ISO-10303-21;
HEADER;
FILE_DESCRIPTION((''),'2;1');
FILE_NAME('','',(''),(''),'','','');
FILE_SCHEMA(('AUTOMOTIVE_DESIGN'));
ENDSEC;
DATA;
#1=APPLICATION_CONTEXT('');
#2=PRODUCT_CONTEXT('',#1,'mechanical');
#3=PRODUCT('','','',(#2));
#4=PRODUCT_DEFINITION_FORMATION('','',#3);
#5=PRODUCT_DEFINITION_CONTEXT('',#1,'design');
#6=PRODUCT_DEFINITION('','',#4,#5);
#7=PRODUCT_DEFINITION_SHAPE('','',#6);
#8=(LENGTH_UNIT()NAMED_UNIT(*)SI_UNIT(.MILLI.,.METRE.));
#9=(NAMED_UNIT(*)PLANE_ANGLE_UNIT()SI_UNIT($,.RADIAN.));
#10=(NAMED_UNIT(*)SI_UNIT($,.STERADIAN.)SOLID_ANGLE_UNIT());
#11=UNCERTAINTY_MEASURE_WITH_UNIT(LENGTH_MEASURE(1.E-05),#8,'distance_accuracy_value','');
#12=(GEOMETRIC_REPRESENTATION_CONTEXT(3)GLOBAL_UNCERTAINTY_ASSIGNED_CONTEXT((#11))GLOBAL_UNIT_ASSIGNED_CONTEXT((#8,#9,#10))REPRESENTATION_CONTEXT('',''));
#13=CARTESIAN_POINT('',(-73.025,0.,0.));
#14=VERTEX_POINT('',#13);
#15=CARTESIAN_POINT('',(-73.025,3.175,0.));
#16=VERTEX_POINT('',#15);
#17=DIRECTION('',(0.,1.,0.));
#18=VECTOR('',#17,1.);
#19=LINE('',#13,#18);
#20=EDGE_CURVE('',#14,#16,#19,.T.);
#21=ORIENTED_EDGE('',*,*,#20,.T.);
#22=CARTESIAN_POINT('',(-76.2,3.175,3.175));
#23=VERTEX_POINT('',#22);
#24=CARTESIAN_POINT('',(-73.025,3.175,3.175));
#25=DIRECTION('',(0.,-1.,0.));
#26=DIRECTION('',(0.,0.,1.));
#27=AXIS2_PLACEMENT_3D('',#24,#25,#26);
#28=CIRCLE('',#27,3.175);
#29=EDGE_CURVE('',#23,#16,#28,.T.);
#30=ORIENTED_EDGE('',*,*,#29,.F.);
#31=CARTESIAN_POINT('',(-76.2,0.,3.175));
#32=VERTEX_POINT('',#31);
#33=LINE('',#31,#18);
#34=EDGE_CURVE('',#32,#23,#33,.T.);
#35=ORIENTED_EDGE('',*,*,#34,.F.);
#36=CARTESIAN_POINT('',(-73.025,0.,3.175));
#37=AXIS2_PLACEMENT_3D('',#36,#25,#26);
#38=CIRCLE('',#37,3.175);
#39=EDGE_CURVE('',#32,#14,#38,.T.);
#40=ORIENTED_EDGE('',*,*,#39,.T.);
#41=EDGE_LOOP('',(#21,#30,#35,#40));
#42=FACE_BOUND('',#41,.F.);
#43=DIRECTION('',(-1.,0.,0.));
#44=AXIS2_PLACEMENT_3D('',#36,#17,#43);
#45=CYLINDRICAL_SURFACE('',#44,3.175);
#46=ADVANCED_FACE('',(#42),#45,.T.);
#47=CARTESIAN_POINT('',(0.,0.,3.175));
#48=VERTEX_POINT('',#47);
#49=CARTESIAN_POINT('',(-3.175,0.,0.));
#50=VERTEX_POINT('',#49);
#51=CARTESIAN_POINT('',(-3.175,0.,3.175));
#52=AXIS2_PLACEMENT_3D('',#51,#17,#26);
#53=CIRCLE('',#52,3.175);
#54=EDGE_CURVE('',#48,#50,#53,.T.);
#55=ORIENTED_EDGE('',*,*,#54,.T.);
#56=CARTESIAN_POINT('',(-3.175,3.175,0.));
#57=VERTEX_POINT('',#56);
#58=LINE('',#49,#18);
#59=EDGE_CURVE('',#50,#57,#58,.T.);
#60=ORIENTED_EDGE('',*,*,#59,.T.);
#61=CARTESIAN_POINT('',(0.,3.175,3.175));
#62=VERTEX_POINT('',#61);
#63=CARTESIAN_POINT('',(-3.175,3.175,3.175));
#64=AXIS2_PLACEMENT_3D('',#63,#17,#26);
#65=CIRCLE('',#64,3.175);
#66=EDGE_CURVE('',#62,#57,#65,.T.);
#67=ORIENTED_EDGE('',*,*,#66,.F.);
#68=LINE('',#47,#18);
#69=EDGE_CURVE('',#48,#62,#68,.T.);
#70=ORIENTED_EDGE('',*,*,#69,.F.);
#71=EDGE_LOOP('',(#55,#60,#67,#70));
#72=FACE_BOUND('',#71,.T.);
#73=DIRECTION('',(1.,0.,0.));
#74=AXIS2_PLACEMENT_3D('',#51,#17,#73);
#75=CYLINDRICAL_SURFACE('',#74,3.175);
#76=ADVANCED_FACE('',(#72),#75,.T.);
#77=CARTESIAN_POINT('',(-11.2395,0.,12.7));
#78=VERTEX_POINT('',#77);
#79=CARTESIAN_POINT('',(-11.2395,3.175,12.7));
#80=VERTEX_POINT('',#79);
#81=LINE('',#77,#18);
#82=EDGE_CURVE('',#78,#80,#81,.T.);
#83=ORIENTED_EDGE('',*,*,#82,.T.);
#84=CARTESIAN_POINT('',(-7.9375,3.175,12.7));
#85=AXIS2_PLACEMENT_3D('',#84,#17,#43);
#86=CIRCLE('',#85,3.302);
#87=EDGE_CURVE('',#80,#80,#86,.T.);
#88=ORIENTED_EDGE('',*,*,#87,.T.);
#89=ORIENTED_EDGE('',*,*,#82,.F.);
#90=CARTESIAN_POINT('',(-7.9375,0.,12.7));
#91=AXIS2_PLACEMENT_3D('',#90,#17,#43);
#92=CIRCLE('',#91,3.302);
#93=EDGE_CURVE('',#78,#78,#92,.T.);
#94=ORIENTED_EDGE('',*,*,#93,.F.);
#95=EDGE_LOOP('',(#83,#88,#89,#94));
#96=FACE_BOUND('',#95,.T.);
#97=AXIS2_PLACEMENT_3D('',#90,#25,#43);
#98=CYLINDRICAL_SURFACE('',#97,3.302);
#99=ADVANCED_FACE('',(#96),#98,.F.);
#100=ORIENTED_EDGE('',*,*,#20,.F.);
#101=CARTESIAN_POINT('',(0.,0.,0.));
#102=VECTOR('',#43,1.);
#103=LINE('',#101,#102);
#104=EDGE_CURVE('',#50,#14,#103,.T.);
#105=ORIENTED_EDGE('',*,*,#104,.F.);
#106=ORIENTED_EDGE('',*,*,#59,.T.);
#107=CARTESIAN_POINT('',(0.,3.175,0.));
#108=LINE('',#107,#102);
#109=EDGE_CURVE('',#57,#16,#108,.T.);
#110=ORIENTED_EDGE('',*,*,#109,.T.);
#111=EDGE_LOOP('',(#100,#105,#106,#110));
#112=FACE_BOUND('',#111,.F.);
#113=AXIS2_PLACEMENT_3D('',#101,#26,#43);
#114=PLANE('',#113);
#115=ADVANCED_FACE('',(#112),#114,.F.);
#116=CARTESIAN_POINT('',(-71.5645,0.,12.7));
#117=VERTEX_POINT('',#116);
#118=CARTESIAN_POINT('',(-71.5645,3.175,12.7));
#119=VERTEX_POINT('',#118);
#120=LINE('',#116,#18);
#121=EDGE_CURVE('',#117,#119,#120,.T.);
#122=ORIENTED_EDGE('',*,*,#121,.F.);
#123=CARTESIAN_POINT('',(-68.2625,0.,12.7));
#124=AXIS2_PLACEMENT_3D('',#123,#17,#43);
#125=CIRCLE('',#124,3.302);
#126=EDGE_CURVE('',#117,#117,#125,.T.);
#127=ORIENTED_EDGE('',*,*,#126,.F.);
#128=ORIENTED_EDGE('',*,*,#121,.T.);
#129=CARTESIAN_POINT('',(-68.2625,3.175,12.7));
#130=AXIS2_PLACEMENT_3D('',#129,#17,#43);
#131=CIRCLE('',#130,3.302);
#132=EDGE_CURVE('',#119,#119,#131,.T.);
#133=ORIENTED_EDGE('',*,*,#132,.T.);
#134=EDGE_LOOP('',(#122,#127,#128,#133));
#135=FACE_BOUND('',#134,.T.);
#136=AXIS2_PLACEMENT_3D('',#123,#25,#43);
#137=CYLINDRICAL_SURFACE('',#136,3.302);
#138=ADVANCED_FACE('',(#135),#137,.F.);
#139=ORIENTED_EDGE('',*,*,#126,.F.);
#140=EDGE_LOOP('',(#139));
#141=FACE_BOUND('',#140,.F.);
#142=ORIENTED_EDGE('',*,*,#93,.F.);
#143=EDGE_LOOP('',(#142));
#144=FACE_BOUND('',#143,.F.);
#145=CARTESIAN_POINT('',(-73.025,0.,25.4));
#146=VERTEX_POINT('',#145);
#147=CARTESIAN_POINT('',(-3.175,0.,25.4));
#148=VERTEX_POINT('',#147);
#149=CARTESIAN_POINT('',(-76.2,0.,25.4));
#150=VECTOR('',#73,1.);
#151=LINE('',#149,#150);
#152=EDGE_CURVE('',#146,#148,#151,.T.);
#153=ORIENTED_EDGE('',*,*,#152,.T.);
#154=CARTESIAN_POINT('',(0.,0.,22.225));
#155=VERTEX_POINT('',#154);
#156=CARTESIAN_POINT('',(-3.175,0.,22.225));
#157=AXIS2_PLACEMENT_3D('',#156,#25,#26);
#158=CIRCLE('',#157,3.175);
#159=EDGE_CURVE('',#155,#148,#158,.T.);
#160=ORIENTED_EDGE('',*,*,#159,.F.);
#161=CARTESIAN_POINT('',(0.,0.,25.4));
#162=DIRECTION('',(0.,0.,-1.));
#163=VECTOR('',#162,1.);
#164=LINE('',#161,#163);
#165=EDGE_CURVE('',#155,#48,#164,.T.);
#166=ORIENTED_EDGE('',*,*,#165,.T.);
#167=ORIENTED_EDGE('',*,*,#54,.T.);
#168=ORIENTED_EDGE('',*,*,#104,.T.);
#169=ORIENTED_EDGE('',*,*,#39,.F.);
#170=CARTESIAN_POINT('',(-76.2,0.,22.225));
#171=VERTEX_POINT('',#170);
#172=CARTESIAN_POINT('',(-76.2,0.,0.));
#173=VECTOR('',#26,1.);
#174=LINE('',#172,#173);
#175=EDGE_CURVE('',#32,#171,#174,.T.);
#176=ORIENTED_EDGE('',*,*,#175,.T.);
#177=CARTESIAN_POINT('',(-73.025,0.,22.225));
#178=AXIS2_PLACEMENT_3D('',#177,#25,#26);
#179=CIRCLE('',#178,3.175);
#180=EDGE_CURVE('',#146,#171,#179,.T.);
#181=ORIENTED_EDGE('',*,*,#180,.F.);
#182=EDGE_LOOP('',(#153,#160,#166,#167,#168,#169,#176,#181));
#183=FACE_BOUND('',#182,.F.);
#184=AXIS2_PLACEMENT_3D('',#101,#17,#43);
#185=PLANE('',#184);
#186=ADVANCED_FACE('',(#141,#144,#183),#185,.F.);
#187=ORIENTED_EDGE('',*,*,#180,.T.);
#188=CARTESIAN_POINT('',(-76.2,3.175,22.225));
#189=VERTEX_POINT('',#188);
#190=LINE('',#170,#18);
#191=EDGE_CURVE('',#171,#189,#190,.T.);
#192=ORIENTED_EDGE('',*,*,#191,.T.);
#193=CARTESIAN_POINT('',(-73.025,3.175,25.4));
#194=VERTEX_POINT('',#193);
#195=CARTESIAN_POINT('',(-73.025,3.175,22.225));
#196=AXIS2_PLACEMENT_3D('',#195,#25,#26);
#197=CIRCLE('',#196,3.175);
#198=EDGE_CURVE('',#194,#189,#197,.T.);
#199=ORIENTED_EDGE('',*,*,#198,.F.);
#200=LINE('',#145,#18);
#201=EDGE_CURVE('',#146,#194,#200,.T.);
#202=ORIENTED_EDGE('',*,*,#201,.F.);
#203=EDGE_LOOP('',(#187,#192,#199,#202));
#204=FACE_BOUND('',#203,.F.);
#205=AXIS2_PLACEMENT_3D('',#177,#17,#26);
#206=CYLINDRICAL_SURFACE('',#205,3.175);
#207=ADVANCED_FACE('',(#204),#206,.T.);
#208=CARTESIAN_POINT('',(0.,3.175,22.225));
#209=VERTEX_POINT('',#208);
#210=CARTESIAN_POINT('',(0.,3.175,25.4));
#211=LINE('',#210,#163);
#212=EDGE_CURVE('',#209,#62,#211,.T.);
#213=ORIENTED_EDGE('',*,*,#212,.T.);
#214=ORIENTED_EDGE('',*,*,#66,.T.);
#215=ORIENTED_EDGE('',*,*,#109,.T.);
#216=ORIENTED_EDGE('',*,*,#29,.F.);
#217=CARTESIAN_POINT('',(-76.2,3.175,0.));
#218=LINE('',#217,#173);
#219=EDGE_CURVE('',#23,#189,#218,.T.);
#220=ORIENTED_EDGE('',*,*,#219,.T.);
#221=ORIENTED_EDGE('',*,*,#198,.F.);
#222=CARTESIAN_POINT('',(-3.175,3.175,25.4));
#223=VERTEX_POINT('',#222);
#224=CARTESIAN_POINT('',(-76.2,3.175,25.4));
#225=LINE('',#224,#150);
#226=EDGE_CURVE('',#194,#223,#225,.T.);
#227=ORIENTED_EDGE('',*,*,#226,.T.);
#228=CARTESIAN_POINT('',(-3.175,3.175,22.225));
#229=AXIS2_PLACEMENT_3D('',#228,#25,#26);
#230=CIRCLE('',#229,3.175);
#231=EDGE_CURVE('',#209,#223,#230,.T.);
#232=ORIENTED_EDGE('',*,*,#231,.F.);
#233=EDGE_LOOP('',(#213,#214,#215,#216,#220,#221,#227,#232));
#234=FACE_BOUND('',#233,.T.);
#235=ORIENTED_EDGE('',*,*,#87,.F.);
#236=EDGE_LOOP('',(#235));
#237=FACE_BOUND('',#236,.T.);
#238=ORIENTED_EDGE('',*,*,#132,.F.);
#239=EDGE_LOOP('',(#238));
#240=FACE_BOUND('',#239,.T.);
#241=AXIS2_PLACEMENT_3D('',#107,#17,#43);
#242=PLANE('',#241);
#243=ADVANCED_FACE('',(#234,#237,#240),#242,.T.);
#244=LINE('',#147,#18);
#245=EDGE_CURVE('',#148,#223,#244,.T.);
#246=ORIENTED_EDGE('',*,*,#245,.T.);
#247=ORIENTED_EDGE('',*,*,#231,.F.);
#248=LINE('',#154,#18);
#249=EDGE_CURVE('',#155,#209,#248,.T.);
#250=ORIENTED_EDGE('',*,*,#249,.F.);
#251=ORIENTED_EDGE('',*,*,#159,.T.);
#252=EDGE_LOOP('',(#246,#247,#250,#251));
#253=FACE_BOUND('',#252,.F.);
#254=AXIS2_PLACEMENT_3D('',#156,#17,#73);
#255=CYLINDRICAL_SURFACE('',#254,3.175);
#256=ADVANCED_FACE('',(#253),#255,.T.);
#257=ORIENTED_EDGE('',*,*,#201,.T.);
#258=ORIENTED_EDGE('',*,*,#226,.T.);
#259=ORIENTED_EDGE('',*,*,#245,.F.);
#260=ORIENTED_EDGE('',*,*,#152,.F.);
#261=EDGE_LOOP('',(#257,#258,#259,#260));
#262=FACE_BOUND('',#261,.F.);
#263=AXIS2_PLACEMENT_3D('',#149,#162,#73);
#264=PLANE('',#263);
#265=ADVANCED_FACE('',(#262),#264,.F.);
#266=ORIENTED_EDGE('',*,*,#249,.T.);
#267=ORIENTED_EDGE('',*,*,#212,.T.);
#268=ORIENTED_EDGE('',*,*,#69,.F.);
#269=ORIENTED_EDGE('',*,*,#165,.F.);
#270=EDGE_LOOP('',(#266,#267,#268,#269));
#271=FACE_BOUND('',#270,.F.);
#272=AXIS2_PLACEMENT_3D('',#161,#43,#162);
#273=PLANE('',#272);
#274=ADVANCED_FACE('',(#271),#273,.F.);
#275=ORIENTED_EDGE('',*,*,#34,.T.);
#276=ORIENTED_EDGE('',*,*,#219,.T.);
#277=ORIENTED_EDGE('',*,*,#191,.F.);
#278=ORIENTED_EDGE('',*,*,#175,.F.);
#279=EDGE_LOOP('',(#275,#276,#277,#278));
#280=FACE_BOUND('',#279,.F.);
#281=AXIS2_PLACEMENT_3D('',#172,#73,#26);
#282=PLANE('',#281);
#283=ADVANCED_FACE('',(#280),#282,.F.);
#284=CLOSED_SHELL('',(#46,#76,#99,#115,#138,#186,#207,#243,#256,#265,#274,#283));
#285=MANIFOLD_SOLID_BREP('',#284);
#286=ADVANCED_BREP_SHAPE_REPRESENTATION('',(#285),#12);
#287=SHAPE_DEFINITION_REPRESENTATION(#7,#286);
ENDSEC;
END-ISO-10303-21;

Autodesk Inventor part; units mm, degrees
ref_plane "YZ Plane" through (0, 0, 0) normal (1, 0, 0) x (0, 1, 0)
ref_plane "XZ Plane" through (0, 0, 0) normal (0, 1, 0) x (-1, 0, 0)
ref_plane "XY Plane" through (0, 0, 0) normal (0, 0, 1) x (1, 0, 0)
sketch "Sketch1" plane through (0, 0, 0) normal (0, 1, 0) x (-1, 0, 0)
  line L0 (0, 0) -> (76.2, 0)
  line L1 (76.2, 0) -> (76.2, 25.4)
  line L2 (76.2, 25.4) -> (0, 25.4)
  line L3 (0, 25.4) -> (0, 0)
  line L4 (7.9375, 12.7) -> (68.2625, 12.7) construction
  circle A0 centre (7.9375, 12.7) radius 3.302
  circle A1 centre (68.2625, 12.7) radius 3.302
  line L5 (38.1, 25.4) -> (38.1, 0) construction
  point P0 (38.1, 12.7)
  dimension "d0" = 76.2
  dimension "d1" = 6.604
  dimension "d2" = 60.325
  dimension "d3" = 25.4
extrude "Extrusion1" add sketch "Sketch1" along normal blind 3.175
fillet "Fillet1" radius 3.175 4 edges at (0, 1.5875, 25.4) (0, 1.5875, 0) (-76.2, 1.5875, 25.4) (-76.2, 1.5875, 0)
properties part number "Wheel Mount Support Plate - drive wheel" material "Aluminum 6061"
